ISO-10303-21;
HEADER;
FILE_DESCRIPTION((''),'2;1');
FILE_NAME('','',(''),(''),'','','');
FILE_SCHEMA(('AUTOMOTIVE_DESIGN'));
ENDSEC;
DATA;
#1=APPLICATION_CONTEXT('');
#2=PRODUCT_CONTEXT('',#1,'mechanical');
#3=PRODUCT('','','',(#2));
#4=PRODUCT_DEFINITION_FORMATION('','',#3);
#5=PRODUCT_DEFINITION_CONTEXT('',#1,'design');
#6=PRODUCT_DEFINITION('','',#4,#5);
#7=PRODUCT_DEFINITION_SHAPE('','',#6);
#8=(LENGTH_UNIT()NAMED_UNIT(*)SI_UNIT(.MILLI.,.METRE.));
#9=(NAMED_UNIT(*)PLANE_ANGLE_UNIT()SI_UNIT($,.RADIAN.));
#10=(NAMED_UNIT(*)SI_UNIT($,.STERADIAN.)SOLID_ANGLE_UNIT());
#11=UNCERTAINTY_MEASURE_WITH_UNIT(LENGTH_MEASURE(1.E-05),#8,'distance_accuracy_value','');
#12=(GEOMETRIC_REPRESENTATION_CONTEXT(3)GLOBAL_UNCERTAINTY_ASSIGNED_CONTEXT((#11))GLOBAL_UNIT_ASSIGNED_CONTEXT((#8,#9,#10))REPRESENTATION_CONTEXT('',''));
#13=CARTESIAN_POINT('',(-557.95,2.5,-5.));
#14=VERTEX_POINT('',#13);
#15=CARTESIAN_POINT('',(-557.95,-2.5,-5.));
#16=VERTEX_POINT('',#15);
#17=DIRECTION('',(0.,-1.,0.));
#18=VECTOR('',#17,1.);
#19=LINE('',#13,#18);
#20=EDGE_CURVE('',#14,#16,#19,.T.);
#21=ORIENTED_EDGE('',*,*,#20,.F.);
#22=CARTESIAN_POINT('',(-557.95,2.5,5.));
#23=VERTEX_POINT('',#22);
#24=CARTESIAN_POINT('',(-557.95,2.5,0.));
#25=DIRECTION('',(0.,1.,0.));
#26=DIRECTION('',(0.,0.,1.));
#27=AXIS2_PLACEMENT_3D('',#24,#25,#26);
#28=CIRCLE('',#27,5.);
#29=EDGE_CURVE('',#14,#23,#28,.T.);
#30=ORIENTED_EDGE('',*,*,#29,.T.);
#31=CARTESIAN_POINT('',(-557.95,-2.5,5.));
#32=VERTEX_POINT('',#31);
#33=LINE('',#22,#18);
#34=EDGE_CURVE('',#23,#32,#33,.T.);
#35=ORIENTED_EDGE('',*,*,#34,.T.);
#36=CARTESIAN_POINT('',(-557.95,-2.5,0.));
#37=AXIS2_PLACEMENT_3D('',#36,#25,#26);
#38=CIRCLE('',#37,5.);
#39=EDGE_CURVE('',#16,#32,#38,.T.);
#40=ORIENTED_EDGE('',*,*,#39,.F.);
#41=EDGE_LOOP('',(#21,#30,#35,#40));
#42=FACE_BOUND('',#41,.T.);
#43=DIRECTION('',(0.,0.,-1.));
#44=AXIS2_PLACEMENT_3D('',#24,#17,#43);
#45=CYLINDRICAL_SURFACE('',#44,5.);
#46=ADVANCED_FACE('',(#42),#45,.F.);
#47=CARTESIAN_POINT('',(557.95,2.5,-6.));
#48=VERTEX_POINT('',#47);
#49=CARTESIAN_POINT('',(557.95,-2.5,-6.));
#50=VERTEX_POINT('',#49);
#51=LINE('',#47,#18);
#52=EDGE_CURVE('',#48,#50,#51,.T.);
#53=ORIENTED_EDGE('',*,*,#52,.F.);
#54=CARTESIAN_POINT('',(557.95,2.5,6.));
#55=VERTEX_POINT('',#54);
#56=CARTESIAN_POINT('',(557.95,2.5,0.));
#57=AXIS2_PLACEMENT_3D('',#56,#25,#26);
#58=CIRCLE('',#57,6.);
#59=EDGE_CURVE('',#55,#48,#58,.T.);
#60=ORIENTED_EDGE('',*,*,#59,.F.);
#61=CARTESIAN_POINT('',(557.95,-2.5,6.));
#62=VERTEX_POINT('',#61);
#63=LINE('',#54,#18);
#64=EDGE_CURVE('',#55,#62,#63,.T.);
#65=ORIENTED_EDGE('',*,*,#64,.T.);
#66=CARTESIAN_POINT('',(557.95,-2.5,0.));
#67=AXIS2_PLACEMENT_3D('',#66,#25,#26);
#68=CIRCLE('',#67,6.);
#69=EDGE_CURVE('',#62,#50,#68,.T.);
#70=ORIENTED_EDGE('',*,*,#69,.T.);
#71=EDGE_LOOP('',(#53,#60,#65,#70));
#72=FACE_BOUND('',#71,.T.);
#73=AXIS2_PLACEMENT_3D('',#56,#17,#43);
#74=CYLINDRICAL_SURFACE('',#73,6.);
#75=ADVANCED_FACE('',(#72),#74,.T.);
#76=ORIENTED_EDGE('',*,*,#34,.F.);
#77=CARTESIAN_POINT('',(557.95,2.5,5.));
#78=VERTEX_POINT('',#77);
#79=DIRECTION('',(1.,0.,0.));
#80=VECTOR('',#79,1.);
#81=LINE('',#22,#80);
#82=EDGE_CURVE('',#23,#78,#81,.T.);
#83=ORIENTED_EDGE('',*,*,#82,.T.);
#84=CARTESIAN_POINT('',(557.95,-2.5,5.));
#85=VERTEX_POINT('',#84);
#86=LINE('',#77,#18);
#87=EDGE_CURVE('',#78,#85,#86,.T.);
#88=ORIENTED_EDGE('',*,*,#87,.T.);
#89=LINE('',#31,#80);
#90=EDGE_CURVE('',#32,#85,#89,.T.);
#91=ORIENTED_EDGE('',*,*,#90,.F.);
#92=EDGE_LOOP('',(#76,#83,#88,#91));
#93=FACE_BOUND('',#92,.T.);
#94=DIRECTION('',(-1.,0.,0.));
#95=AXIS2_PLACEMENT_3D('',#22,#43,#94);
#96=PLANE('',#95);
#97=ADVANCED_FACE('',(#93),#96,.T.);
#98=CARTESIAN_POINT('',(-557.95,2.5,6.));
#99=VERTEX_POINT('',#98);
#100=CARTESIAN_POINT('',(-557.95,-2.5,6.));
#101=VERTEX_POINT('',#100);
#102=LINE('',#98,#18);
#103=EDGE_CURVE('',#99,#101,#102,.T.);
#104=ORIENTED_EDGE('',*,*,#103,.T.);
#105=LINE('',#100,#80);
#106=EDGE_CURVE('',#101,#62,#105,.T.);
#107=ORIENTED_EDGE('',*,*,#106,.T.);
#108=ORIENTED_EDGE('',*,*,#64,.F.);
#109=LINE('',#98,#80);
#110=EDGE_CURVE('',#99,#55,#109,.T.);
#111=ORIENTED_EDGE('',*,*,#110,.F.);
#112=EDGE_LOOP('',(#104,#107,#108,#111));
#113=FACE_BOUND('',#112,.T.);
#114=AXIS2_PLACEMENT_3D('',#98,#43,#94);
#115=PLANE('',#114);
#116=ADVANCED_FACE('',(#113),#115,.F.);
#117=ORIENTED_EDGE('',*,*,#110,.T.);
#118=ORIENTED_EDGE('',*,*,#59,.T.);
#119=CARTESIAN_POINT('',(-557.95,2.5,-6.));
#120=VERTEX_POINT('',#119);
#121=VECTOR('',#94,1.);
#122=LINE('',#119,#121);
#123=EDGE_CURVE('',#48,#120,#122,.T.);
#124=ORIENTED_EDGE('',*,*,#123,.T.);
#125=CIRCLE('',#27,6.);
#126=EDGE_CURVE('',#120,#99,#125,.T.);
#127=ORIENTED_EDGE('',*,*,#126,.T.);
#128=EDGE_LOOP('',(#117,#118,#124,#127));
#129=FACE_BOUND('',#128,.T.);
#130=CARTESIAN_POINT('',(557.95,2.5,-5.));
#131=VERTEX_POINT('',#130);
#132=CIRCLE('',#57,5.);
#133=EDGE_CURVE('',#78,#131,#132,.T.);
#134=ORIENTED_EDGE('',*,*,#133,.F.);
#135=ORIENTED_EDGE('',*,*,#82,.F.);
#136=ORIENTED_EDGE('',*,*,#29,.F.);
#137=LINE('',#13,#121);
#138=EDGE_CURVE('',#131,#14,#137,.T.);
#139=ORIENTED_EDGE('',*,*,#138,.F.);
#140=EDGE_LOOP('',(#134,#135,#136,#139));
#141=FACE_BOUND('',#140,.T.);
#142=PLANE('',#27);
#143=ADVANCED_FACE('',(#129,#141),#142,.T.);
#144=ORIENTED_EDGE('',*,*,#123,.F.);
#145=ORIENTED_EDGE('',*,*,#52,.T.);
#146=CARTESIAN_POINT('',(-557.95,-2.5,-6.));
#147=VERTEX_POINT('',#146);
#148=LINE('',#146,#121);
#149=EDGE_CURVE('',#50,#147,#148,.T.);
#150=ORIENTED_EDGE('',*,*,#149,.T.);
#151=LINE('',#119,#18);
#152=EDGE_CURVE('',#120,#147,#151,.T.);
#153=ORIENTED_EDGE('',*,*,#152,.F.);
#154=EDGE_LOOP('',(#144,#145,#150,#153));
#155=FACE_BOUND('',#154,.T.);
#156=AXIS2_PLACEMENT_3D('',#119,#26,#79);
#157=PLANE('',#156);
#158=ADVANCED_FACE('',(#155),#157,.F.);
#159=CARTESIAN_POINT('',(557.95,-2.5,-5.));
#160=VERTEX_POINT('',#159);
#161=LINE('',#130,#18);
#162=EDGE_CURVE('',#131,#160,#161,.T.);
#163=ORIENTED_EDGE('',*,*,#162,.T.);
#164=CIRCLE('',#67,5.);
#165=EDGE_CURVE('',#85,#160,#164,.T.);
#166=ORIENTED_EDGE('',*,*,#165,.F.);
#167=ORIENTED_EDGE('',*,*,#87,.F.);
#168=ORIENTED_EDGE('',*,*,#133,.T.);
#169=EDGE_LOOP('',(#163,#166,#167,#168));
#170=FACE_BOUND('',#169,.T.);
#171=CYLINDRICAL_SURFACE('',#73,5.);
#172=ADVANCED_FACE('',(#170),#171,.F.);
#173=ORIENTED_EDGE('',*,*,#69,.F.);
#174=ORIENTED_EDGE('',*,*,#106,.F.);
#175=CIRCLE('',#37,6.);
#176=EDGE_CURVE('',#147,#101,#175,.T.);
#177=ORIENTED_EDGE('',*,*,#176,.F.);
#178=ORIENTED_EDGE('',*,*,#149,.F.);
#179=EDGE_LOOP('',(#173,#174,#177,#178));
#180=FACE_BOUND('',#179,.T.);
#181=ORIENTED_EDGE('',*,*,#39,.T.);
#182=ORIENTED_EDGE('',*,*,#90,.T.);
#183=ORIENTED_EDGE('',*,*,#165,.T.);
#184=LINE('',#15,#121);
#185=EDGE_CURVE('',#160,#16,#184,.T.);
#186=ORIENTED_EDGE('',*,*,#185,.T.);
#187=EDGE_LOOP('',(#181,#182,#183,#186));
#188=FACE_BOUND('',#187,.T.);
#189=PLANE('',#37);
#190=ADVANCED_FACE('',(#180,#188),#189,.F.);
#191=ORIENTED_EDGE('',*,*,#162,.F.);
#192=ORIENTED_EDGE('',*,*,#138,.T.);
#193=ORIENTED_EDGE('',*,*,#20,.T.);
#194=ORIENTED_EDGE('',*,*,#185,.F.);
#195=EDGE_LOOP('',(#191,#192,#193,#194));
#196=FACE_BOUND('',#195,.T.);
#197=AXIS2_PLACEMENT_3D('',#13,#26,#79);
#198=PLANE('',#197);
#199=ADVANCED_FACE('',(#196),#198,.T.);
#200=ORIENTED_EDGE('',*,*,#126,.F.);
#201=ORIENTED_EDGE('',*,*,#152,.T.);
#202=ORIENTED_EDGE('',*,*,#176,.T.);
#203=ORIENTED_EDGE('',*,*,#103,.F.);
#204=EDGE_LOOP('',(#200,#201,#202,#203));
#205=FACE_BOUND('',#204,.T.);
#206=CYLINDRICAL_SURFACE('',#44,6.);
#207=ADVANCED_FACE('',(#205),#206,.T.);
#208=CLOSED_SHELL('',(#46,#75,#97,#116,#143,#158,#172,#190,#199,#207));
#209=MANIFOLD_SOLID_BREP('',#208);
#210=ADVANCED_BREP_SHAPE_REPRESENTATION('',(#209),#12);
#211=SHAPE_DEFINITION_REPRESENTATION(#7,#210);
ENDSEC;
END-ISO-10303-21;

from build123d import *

# Parameters (mm, degrees)
BOSS_EXTRUDE1_DEPTH = 2.5


with BuildPart() as part:
    # Sketch1 → Boss-Extrude1 (new, symmetric)
    with BuildSketch(Plane(origin=(0, 0, 0), x_dir=(1, 0, 0), z_dir=(0, 1, 0))):
        with BuildLine():
            Line((-557.95, 6), (557.95, 6))
            ThreePointArc((557.95, 6), (563.95, 0), (557.95, -6))
            Line((557.95, -6), (-557.95, -6))
            ThreePointArc((-557.95, -6), (-563.95, 0), (-557.95, 6))
        make_face()
        with BuildLine():
            Line((-557.95, 5), (557.95, 5))
            ThreePointArc((557.95, 5), (562.95, 0), (557.95, -5))
            Line((557.95, -5), (-557.95, -5))
            ThreePointArc((-557.95, -5), (-562.95, 0), (-557.95, 5))
        make_face(mode=Mode.SUBTRACT)
    extrude(amount=BOSS_EXTRUDE1_DEPTH, both=True)


solid = part.part
